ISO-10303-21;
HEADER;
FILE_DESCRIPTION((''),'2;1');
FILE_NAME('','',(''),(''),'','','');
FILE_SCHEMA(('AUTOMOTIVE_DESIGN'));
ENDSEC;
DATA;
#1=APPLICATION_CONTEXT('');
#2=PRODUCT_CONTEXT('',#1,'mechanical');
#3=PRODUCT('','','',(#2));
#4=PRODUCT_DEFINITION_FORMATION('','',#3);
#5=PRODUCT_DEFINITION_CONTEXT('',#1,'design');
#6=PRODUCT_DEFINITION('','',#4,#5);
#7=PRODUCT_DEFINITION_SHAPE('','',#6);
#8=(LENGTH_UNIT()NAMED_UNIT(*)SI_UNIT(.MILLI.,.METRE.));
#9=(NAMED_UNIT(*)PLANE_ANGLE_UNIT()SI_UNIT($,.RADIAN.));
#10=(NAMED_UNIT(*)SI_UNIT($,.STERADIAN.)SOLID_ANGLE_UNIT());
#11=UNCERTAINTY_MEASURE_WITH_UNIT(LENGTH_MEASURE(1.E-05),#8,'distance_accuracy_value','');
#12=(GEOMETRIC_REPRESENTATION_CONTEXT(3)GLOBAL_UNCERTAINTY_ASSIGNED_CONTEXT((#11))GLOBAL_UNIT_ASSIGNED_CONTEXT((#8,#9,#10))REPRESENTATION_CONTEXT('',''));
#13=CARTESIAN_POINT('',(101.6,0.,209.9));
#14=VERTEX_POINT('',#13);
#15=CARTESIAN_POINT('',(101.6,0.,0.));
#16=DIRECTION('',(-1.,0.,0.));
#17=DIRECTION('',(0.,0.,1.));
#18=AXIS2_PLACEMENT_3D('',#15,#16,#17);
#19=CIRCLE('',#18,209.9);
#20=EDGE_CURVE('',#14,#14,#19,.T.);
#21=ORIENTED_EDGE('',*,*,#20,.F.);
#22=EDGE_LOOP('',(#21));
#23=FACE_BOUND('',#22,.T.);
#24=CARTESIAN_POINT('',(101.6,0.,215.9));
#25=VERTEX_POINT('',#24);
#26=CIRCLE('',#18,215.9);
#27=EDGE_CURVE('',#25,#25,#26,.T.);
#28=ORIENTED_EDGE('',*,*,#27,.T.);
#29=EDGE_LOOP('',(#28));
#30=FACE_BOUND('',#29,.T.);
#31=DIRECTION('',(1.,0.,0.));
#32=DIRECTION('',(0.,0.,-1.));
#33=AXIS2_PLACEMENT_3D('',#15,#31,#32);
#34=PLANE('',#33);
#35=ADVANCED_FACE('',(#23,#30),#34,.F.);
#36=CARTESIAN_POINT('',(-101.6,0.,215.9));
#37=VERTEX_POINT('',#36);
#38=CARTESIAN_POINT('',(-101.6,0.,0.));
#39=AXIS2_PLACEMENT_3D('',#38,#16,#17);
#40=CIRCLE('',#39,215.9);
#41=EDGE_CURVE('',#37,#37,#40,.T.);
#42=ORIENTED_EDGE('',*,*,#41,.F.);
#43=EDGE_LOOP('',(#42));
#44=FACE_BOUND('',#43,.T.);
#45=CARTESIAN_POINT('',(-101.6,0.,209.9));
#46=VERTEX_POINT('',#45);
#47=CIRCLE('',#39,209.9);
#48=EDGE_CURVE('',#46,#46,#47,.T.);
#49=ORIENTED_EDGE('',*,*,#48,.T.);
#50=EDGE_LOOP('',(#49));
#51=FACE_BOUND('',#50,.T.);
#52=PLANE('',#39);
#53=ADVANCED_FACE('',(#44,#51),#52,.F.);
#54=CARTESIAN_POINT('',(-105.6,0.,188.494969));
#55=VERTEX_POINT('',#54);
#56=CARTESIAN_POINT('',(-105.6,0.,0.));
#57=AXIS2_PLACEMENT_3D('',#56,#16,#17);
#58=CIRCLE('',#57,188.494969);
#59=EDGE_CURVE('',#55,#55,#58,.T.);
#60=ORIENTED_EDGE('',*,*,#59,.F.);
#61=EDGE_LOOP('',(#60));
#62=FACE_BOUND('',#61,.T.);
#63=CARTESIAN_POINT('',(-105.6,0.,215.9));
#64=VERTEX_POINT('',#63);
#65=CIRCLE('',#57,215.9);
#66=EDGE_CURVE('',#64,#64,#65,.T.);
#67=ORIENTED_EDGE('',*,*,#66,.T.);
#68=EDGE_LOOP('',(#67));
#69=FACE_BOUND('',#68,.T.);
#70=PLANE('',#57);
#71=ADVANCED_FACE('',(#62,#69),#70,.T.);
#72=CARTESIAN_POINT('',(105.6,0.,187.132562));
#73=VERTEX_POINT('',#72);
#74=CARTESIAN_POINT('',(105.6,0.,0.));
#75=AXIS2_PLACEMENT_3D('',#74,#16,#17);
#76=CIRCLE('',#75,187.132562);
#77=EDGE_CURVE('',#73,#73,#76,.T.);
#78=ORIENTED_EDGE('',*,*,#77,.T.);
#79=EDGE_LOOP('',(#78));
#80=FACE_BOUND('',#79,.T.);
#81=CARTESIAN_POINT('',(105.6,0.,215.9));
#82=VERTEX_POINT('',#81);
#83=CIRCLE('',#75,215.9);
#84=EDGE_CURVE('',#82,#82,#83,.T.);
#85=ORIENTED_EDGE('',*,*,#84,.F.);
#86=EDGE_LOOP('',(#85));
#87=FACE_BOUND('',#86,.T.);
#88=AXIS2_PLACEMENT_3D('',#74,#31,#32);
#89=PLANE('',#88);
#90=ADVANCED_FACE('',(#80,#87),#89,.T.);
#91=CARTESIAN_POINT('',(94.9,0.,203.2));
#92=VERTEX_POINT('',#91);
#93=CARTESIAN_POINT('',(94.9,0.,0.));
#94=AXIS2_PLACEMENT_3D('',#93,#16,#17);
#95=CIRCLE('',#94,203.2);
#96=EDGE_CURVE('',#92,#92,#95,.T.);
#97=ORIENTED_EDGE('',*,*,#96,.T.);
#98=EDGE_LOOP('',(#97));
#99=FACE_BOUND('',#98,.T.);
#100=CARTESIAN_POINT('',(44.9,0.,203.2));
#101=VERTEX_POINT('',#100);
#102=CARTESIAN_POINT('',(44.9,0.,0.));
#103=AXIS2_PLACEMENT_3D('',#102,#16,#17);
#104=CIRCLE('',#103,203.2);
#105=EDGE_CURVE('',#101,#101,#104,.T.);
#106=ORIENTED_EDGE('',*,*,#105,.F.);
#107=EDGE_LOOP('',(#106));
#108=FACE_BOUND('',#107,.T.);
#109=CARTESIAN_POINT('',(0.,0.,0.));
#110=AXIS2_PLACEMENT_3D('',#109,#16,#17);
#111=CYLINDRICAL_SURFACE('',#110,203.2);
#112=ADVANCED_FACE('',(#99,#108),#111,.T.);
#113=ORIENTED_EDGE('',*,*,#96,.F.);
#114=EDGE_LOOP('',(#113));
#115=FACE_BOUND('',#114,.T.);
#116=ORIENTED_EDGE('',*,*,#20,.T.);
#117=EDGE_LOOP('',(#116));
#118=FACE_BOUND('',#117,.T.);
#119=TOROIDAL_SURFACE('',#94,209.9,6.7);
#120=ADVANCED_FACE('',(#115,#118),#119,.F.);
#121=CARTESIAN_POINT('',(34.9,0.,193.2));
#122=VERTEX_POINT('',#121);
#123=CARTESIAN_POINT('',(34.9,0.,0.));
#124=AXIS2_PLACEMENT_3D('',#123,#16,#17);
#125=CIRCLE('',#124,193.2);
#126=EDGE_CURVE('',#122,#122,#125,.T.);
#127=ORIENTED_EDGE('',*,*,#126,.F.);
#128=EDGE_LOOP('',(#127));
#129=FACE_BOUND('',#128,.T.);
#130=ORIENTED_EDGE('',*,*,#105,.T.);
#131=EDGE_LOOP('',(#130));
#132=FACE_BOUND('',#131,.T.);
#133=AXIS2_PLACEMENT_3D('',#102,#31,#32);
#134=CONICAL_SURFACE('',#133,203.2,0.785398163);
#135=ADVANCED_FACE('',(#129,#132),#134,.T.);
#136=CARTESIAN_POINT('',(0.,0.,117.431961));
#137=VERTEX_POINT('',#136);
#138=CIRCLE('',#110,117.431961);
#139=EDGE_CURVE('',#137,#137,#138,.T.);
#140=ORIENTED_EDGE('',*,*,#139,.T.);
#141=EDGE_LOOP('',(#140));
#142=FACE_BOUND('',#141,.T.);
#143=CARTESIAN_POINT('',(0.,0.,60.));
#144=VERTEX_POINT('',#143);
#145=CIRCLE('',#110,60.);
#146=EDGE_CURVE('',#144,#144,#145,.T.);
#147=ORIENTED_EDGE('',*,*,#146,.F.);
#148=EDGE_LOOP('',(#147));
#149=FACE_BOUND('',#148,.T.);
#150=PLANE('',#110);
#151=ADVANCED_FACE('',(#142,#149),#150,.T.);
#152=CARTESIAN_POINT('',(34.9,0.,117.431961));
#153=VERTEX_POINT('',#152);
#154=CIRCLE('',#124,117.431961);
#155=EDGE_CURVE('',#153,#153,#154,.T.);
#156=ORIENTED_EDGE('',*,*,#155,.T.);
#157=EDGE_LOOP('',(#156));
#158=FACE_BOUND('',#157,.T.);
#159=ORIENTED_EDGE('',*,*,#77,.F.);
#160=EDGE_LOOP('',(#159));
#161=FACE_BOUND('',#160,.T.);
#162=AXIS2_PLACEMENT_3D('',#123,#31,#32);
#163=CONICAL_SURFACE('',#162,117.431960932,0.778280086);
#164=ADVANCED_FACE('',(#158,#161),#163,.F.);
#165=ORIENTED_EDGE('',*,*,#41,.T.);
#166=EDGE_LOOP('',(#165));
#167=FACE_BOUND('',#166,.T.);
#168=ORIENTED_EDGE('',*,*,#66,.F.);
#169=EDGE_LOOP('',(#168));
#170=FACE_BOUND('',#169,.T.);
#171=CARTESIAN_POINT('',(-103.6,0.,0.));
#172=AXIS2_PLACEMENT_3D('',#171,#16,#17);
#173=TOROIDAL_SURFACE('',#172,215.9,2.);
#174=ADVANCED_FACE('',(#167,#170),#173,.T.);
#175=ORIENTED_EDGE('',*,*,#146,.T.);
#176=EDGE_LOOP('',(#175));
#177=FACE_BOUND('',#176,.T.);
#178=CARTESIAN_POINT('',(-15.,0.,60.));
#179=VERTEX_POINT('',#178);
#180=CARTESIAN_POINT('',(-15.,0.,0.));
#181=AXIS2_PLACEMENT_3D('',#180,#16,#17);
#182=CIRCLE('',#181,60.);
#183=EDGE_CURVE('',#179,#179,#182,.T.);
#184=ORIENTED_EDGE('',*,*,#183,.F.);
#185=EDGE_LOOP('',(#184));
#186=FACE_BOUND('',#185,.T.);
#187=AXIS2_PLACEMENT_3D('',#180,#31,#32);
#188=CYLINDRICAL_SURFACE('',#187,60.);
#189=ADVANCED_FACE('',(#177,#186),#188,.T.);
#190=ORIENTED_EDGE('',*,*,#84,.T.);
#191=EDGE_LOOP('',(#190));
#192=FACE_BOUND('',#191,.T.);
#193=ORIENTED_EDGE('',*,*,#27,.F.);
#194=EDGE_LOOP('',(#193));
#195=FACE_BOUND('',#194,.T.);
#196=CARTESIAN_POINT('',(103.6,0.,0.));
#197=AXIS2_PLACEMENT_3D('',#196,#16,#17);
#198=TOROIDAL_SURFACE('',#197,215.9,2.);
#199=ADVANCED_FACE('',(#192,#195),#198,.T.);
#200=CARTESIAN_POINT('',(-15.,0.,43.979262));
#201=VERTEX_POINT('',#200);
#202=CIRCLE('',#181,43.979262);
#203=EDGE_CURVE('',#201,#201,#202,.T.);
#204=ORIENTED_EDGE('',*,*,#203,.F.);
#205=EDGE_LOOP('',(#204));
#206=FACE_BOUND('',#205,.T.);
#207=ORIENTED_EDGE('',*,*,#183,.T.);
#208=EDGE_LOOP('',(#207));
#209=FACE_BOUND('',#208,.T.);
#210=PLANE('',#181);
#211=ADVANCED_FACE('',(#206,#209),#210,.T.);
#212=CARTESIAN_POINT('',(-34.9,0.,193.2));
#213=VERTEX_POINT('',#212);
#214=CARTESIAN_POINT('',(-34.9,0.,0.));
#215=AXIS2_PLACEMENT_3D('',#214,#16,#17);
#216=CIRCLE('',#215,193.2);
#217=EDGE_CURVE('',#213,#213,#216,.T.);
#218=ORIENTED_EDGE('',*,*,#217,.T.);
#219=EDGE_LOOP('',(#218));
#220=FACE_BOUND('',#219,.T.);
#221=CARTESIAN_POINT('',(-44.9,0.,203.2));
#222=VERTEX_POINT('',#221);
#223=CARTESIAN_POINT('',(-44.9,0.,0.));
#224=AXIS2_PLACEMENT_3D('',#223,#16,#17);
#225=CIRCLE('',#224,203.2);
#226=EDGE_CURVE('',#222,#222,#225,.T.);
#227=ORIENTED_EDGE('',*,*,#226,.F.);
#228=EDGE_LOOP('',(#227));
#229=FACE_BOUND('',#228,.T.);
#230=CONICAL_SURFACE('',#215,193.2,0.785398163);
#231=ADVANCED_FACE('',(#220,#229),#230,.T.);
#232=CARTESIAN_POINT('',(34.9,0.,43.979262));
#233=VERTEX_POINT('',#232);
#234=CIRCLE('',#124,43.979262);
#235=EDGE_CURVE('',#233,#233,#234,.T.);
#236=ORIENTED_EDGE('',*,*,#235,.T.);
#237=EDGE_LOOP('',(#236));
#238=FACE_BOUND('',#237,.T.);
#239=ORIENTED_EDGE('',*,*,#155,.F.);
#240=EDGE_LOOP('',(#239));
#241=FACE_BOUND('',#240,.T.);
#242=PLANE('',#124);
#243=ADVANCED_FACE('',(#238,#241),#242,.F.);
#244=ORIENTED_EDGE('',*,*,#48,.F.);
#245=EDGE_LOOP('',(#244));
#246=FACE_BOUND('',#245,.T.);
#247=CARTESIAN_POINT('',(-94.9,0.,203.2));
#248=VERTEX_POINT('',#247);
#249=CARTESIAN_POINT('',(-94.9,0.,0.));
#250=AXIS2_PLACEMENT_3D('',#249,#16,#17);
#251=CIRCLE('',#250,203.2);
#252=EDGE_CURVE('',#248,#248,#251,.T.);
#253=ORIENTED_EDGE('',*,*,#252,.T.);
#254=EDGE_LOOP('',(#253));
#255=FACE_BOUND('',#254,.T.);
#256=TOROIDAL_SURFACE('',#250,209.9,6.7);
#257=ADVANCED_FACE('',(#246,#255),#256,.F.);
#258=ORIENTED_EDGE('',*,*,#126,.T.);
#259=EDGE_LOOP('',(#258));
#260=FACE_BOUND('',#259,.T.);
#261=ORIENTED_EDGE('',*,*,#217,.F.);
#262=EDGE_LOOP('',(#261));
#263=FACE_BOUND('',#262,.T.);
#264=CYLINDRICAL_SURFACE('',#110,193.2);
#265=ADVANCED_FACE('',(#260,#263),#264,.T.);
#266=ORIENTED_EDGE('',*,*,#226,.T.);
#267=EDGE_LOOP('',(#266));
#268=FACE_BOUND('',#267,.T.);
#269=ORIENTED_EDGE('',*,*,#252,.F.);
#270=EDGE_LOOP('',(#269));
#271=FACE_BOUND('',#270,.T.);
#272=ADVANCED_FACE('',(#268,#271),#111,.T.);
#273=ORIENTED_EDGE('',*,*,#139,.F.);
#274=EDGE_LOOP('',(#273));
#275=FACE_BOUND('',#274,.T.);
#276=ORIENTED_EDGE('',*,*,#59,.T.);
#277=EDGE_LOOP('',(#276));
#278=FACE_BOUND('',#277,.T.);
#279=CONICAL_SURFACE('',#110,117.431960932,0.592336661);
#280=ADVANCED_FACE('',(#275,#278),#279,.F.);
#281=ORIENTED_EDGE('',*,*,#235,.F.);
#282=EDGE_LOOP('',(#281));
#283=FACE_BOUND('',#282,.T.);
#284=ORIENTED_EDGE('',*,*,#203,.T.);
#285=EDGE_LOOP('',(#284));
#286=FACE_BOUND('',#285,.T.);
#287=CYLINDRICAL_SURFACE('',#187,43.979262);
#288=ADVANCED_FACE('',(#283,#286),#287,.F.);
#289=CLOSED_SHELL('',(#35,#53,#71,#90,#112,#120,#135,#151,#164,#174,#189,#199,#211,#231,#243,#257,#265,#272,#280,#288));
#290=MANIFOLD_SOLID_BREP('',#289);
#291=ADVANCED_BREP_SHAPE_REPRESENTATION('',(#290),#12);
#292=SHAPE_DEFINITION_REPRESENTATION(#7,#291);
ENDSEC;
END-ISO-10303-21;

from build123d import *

# Parameters (mm, degrees)
SKETCH3_R           = 60
SKETCH3_R_2         = 43.979261671
BOSS_EXTRUDE1_DEPTH = 15
SKETCH4_R           = 43.979261671
CUT_EXTRUDE1_DEPTH  = 326.748645565


with BuildPart() as part:
    # Sketch1 → Revolve1 (revolve)
    with BuildSketch(Plane.XY, mode=Mode.PRIVATE) as revolve1_sk:
        with BuildLine():
            Line((0, 0), (34.9, 0))
            Line((34.9, 0), (34.9, 117.431960932))
            Line((34.9, 117.431960932), (105.6, 187.132561735))
            Line((105.6, 187.132561735), (105.6, 215.9))
            ThreePointArc((105.6, 215.9), (103.6, 217.9), (101.6, 215.9))
            Line((101.6, 215.9), (101.6, 209.9))
            ThreePointArc((101.6, 209.9), (99.637615434, 205.162384566), (94.9, 203.2))
            Line((94.9, 203.2), (44.9, 203.2))
            Line((44.9, 203.2), (34.9, 193.2))
            Line((34.9, 193.2), (-34.9, 193.2))
            Line((-34.9, 193.2), (-44.9, 203.2))
            Line((-44.9, 203.2), (-94.9, 203.2))
            ThreePointArc((-94.9, 203.2), (-99.637615434, 205.162384566), (-101.6, 209.9))
            Line((-101.6, 209.9), (-101.6, 215.9))
            ThreePointArc((-101.6, 215.9), (-103.6, 217.9), (-105.6, 215.9))
            Line((-105.6, 215.9), (-105.6, 188.494969013))
            Line((-105.6, 188.494969013), (0, 117.431960932))
            Line((0, 117.431960932), (0, 0))
        make_face()
    revolve(revolve1_sk.sketch.rotate(Axis((0, 0, 0), (1, 0, 0)), 90), axis=Axis((0, 0, 0), (1, 0, 0)))

    # Sketch3 → Boss-Extrude1 (add)
    with BuildSketch(Plane.ZY):
        Circle(SKETCH3_R)
        Circle(SKETCH3_R_2, mode=Mode.SUBTRACT)
    extrude(amount=BOSS_EXTRUDE1_DEPTH)

    # Sketch4 → Cut-Extrude1 (cut, through all)
    with BuildSketch(Plane.ZY):
        Circle(SKETCH4_R)
    extrude(amount=-CUT_EXTRUDE1_DEPTH, mode=Mode.SUBTRACT)


solid = part.part
